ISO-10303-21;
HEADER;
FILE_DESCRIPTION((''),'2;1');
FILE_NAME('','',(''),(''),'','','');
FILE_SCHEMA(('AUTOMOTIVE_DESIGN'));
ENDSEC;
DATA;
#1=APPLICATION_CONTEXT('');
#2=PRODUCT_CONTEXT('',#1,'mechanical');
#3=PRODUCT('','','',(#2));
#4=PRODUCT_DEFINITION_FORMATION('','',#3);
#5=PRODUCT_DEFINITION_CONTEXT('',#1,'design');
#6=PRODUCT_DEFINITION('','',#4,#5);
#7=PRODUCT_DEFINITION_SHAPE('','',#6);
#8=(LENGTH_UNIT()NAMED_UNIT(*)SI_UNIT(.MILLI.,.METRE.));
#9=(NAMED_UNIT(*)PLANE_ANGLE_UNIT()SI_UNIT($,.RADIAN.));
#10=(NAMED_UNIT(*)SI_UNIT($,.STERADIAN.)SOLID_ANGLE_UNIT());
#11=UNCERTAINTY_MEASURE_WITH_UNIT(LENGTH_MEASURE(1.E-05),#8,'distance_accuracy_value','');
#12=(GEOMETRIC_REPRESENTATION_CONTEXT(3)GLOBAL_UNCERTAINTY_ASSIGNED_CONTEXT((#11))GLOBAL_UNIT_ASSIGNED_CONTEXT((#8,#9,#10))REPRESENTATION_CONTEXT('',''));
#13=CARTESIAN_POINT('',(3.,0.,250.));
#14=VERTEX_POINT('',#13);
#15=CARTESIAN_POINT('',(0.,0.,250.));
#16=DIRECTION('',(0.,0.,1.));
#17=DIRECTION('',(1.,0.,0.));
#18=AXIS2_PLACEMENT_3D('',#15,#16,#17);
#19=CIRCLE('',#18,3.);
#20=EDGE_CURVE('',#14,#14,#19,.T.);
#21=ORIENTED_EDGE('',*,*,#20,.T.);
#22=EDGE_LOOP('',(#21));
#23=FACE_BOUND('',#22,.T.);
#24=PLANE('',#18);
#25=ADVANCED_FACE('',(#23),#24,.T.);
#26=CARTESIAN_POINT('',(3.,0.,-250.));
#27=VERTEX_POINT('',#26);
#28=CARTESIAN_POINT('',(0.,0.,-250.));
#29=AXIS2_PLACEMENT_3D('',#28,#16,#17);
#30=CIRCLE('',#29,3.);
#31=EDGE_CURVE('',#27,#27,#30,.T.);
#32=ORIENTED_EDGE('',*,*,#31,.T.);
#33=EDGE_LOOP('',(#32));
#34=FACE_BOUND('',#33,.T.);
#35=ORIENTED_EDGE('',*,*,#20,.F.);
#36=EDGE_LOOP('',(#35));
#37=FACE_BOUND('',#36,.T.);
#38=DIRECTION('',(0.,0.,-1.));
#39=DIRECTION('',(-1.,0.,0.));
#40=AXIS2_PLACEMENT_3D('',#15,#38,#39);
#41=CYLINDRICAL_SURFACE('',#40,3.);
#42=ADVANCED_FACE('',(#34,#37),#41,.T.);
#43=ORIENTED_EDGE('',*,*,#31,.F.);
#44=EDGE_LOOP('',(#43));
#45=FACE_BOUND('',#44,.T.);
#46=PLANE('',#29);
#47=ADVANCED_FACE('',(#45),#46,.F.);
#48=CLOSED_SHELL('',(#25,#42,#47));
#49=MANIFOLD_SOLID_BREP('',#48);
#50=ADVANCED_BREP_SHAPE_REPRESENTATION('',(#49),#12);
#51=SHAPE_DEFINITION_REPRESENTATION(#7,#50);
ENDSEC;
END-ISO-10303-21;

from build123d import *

# Parameters (mm, degrees)
SKETCH1_R           = 3
BOSS_EXTRUDE1_DEPTH = 250


with BuildPart() as part:
    # Sketch1 → Boss-Extrude1 (new body, symmetric)
    with BuildSketch(Plane.XY):
        Circle(SKETCH1_R)
    extrude(amount=BOSS_EXTRUDE1_DEPTH, both=True)


solid = part.part
